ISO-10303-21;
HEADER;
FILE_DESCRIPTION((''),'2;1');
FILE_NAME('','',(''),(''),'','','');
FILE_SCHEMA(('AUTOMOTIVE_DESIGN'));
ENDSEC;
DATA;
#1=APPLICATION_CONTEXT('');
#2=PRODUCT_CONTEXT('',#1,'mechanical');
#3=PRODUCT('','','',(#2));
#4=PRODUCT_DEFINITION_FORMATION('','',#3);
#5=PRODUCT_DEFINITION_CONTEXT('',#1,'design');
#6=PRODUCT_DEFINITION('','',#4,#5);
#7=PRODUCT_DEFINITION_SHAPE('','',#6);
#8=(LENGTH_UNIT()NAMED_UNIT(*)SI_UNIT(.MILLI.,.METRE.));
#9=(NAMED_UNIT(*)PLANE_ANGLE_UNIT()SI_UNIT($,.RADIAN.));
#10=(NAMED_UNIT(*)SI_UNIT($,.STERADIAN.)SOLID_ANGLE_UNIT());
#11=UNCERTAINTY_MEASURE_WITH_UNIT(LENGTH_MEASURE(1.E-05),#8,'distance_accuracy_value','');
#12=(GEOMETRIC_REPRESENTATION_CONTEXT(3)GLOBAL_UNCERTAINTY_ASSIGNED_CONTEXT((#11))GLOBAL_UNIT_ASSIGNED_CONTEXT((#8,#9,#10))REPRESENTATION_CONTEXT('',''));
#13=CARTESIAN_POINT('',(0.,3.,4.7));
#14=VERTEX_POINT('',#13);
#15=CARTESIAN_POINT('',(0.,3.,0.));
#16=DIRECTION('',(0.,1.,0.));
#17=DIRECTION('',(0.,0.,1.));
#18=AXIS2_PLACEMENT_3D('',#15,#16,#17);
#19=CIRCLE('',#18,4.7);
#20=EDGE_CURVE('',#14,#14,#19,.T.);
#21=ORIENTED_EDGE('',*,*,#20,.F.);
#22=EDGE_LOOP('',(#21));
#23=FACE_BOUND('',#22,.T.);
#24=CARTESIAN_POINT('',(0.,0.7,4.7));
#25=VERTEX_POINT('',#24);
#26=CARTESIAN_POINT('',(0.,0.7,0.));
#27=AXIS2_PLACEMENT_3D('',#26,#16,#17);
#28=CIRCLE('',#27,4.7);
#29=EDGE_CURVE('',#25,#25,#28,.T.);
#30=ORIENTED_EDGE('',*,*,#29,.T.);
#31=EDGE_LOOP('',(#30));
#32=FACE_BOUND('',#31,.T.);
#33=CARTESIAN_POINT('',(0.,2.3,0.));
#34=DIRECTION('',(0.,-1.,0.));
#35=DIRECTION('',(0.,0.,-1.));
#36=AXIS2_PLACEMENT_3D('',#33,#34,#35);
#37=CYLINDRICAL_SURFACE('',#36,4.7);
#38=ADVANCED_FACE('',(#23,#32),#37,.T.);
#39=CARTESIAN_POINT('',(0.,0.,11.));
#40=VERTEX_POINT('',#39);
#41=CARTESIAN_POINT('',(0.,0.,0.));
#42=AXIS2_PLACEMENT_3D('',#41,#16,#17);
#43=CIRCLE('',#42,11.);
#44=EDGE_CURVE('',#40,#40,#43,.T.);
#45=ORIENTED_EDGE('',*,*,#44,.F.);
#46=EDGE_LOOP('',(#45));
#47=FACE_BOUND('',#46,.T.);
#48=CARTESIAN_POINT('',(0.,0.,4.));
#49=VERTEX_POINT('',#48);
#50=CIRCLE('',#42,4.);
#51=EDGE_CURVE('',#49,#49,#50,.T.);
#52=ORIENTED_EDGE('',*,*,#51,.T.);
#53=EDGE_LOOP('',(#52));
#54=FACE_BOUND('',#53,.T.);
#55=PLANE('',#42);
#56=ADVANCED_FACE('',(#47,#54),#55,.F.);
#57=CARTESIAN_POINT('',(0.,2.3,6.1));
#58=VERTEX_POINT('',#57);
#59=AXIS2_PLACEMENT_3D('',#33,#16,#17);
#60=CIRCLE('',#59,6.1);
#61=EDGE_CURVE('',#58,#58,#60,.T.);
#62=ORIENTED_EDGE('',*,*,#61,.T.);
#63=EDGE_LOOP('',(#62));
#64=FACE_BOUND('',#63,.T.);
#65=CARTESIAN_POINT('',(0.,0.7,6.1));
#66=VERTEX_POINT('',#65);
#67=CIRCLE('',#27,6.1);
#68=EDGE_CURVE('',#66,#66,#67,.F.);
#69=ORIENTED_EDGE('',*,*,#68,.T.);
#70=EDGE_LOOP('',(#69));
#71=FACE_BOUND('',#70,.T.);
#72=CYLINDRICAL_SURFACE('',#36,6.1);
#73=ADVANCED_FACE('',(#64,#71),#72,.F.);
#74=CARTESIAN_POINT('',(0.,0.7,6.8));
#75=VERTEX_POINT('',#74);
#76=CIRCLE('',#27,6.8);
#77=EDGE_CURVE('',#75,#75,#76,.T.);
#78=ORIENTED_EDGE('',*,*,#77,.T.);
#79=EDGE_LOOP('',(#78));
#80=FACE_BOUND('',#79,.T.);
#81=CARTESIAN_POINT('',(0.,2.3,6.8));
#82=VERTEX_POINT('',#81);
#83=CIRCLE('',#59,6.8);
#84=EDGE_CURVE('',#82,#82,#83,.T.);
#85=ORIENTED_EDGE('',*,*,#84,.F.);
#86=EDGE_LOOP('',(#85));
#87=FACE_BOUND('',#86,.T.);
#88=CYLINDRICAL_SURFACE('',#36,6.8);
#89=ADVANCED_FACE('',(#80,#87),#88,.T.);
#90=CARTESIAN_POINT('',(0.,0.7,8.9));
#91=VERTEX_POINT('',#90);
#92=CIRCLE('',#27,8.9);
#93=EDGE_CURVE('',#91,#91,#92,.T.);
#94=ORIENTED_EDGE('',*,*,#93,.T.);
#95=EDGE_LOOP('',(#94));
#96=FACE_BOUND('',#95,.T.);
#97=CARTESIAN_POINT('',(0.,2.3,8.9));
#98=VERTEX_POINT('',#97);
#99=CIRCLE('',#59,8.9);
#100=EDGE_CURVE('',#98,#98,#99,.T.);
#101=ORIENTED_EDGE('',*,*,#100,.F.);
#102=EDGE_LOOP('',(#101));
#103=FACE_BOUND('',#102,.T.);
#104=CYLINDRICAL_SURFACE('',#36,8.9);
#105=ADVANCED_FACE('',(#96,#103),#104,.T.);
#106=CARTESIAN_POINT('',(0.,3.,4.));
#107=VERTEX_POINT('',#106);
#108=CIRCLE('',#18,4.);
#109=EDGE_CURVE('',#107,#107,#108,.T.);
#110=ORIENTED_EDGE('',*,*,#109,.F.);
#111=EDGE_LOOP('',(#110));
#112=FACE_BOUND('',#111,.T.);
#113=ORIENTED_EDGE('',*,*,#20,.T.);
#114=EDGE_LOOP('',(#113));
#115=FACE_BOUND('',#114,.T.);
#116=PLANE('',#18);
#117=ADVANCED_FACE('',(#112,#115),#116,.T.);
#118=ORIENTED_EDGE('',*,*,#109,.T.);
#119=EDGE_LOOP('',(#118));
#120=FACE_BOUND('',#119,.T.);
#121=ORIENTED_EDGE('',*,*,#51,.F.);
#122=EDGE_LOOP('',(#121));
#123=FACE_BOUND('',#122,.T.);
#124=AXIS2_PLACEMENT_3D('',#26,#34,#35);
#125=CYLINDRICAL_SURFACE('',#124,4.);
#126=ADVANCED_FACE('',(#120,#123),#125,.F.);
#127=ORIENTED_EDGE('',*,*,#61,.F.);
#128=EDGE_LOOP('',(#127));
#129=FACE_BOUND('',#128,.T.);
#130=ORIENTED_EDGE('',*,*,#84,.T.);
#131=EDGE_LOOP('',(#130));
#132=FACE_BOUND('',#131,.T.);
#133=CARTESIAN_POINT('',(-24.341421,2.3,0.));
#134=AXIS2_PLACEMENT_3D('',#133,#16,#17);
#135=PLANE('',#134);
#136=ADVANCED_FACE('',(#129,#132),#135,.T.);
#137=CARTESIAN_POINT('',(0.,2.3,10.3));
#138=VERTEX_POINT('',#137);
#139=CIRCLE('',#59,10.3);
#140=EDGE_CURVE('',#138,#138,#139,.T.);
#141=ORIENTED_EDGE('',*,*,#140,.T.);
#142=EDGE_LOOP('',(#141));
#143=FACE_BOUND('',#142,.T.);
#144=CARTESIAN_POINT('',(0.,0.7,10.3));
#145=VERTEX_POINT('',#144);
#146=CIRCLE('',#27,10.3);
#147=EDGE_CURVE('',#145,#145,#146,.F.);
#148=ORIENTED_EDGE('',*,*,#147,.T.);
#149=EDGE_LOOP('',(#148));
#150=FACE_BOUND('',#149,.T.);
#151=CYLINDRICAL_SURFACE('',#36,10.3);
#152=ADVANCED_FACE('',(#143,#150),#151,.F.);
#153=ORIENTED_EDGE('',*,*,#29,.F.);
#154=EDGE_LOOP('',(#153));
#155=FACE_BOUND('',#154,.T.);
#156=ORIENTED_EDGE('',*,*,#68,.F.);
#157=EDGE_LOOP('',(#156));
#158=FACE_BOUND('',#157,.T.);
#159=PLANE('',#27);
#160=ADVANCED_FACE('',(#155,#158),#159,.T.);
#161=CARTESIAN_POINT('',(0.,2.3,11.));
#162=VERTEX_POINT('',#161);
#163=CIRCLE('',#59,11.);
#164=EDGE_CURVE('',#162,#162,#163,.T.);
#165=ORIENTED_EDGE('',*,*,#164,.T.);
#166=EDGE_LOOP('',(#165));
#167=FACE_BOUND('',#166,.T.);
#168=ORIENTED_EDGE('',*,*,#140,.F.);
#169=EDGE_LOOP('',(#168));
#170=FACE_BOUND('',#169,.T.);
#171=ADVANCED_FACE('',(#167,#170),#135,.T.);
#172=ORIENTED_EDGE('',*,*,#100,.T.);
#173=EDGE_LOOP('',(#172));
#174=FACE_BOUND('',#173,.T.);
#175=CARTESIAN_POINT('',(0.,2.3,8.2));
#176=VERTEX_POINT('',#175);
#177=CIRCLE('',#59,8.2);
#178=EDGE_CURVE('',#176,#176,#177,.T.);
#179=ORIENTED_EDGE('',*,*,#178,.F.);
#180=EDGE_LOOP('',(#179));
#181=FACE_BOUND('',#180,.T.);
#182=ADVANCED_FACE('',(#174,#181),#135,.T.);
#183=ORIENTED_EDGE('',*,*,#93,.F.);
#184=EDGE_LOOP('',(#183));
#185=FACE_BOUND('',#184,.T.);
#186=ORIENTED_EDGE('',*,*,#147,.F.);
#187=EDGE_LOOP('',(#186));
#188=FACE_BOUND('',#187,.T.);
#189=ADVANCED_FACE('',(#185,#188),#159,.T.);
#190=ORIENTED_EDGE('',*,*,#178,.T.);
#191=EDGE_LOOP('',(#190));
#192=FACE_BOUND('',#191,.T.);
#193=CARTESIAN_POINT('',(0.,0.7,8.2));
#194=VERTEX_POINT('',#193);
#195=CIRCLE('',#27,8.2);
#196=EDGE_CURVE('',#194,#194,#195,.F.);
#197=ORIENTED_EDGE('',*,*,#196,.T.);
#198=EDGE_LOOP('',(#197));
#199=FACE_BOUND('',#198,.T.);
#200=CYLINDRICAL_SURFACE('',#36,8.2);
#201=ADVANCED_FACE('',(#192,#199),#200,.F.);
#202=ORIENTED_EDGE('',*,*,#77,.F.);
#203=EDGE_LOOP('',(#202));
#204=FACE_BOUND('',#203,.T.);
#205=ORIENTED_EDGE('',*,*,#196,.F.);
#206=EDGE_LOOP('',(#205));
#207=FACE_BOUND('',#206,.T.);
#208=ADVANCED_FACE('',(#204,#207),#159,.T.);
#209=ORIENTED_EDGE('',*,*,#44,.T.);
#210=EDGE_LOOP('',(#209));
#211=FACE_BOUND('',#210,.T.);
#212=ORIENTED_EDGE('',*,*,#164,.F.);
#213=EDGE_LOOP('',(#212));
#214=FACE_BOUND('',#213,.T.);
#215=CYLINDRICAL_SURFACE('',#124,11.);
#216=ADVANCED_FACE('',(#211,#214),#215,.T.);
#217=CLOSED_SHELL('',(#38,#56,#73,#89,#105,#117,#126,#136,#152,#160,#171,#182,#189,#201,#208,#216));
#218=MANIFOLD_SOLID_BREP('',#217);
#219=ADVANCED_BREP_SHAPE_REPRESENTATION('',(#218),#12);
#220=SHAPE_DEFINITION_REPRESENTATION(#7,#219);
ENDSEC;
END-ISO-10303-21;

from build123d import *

# Parameters (mm, degrees)
CROQUIS1_R     = 11
CROQUIS1_R_2   = 4
EXTRUIR1_DEPTH = 0.7
CROQUIS2_R     = 11
CROQUIS2_R_2   = 10.3
CROQUIS2_R_3   = 8.9
CROQUIS2_R_4   = 8.2
CROQUIS2_R_5   = 6.8
CROQUIS2_R_6   = 6.1
CROQUIS2_R_7   = 4.7
CROQUIS2_R_8   = 4
EXTRUIR2_DEPTH = 1.6
CROQUIS3_R     = 4.7
CROQUIS3_R_2   = 4
EXTRUIR3_DEPTH = 0.7


with BuildPart() as part:
    # Croquis1 → Extruir1 (new body)
    with BuildSketch(Plane(origin=(0, 0, 0), x_dir=(1, 0, 0), z_dir=(0, 1, 0))):
        with Locations(Location((0, 0, 0), (0, 0, 270))):
            Circle(CROQUIS1_R)
        with Locations(Location((0, 0, 0), (0, 0, 270))):
            Circle(CROQUIS1_R_2, mode=Mode.SUBTRACT)
    extrude(amount=EXTRUIR1_DEPTH)

    # Croquis2 → Extruir2 (add)
    # profile 1 of 4: a face of its own
    with BuildSketch(Plane(origin=(0, 0.7, 0), x_dir=(1, 0, 0), z_dir=(0, 1, 0))):
        with Locations(Location((0, 0, 0), (0, 0, 270))):
            Circle(CROQUIS2_R)
        with Locations(Location((0, 0, 0), (0, 0, 270))):
            Circle(CROQUIS2_R_2, mode=Mode.SUBTRACT)
    # profile 2 of 4: a face of its own
    with BuildSketch(Plane(origin=(0, 0.7, 0), x_dir=(1, 0, 0), z_dir=(0, 1, 0))):
        with Locations(Location((0, 0, 0), (0, 0, 270))):
            Circle(CROQUIS2_R_3)
        with Locations(Location((0, 0, 0), (0, 0, 270))):
            Circle(CROQUIS2_R_4, mode=Mode.SUBTRACT)
    # profile 3 of 4: a face of its own
    with BuildSketch(Plane(origin=(0, 0.7, 0), x_dir=(1, 0, 0), z_dir=(0, 1, 0))):
        with Locations(Location((0, 0, 0), (0, 0, 270))):
            Circle(CROQUIS2_R_5)
        with Locations(Location((0, 0, 0), (0, 0, 270))):
            Circle(CROQUIS2_R_6, mode=Mode.SUBTRACT)
    # profile 4 of 4: a face of its own
    with BuildSketch(Plane(origin=(0, 0.7, 0), x_dir=(1, 0, 0), z_dir=(0, 1, 0))):
        with Locations(Location((0, 0, 0), (0, 0, 270))):
            Circle(CROQUIS2_R_7)
        with Locations(Location((0, 0, 0), (0, 0, 270))):
            Circle(CROQUIS2_R_8, mode=Mode.SUBTRACT)
    extrude(amount=EXTRUIR2_DEPTH)

    # Croquis3 → Extruir3 (add)
    with BuildSketch(Plane(origin=(0, 2.3, 0), x_dir=(1, 0, 0), z_dir=(0, 1, 0))):
        with Locations(Location((0, 0, 0), (0, 0, 270))):
            Circle(CROQUIS3_R)
        with Locations(Location((0, 0, 0), (0, 0, 270))):
            Circle(CROQUIS3_R_2, mode=Mode.SUBTRACT)
    extrude(amount=EXTRUIR3_DEPTH)


solid = part.part
